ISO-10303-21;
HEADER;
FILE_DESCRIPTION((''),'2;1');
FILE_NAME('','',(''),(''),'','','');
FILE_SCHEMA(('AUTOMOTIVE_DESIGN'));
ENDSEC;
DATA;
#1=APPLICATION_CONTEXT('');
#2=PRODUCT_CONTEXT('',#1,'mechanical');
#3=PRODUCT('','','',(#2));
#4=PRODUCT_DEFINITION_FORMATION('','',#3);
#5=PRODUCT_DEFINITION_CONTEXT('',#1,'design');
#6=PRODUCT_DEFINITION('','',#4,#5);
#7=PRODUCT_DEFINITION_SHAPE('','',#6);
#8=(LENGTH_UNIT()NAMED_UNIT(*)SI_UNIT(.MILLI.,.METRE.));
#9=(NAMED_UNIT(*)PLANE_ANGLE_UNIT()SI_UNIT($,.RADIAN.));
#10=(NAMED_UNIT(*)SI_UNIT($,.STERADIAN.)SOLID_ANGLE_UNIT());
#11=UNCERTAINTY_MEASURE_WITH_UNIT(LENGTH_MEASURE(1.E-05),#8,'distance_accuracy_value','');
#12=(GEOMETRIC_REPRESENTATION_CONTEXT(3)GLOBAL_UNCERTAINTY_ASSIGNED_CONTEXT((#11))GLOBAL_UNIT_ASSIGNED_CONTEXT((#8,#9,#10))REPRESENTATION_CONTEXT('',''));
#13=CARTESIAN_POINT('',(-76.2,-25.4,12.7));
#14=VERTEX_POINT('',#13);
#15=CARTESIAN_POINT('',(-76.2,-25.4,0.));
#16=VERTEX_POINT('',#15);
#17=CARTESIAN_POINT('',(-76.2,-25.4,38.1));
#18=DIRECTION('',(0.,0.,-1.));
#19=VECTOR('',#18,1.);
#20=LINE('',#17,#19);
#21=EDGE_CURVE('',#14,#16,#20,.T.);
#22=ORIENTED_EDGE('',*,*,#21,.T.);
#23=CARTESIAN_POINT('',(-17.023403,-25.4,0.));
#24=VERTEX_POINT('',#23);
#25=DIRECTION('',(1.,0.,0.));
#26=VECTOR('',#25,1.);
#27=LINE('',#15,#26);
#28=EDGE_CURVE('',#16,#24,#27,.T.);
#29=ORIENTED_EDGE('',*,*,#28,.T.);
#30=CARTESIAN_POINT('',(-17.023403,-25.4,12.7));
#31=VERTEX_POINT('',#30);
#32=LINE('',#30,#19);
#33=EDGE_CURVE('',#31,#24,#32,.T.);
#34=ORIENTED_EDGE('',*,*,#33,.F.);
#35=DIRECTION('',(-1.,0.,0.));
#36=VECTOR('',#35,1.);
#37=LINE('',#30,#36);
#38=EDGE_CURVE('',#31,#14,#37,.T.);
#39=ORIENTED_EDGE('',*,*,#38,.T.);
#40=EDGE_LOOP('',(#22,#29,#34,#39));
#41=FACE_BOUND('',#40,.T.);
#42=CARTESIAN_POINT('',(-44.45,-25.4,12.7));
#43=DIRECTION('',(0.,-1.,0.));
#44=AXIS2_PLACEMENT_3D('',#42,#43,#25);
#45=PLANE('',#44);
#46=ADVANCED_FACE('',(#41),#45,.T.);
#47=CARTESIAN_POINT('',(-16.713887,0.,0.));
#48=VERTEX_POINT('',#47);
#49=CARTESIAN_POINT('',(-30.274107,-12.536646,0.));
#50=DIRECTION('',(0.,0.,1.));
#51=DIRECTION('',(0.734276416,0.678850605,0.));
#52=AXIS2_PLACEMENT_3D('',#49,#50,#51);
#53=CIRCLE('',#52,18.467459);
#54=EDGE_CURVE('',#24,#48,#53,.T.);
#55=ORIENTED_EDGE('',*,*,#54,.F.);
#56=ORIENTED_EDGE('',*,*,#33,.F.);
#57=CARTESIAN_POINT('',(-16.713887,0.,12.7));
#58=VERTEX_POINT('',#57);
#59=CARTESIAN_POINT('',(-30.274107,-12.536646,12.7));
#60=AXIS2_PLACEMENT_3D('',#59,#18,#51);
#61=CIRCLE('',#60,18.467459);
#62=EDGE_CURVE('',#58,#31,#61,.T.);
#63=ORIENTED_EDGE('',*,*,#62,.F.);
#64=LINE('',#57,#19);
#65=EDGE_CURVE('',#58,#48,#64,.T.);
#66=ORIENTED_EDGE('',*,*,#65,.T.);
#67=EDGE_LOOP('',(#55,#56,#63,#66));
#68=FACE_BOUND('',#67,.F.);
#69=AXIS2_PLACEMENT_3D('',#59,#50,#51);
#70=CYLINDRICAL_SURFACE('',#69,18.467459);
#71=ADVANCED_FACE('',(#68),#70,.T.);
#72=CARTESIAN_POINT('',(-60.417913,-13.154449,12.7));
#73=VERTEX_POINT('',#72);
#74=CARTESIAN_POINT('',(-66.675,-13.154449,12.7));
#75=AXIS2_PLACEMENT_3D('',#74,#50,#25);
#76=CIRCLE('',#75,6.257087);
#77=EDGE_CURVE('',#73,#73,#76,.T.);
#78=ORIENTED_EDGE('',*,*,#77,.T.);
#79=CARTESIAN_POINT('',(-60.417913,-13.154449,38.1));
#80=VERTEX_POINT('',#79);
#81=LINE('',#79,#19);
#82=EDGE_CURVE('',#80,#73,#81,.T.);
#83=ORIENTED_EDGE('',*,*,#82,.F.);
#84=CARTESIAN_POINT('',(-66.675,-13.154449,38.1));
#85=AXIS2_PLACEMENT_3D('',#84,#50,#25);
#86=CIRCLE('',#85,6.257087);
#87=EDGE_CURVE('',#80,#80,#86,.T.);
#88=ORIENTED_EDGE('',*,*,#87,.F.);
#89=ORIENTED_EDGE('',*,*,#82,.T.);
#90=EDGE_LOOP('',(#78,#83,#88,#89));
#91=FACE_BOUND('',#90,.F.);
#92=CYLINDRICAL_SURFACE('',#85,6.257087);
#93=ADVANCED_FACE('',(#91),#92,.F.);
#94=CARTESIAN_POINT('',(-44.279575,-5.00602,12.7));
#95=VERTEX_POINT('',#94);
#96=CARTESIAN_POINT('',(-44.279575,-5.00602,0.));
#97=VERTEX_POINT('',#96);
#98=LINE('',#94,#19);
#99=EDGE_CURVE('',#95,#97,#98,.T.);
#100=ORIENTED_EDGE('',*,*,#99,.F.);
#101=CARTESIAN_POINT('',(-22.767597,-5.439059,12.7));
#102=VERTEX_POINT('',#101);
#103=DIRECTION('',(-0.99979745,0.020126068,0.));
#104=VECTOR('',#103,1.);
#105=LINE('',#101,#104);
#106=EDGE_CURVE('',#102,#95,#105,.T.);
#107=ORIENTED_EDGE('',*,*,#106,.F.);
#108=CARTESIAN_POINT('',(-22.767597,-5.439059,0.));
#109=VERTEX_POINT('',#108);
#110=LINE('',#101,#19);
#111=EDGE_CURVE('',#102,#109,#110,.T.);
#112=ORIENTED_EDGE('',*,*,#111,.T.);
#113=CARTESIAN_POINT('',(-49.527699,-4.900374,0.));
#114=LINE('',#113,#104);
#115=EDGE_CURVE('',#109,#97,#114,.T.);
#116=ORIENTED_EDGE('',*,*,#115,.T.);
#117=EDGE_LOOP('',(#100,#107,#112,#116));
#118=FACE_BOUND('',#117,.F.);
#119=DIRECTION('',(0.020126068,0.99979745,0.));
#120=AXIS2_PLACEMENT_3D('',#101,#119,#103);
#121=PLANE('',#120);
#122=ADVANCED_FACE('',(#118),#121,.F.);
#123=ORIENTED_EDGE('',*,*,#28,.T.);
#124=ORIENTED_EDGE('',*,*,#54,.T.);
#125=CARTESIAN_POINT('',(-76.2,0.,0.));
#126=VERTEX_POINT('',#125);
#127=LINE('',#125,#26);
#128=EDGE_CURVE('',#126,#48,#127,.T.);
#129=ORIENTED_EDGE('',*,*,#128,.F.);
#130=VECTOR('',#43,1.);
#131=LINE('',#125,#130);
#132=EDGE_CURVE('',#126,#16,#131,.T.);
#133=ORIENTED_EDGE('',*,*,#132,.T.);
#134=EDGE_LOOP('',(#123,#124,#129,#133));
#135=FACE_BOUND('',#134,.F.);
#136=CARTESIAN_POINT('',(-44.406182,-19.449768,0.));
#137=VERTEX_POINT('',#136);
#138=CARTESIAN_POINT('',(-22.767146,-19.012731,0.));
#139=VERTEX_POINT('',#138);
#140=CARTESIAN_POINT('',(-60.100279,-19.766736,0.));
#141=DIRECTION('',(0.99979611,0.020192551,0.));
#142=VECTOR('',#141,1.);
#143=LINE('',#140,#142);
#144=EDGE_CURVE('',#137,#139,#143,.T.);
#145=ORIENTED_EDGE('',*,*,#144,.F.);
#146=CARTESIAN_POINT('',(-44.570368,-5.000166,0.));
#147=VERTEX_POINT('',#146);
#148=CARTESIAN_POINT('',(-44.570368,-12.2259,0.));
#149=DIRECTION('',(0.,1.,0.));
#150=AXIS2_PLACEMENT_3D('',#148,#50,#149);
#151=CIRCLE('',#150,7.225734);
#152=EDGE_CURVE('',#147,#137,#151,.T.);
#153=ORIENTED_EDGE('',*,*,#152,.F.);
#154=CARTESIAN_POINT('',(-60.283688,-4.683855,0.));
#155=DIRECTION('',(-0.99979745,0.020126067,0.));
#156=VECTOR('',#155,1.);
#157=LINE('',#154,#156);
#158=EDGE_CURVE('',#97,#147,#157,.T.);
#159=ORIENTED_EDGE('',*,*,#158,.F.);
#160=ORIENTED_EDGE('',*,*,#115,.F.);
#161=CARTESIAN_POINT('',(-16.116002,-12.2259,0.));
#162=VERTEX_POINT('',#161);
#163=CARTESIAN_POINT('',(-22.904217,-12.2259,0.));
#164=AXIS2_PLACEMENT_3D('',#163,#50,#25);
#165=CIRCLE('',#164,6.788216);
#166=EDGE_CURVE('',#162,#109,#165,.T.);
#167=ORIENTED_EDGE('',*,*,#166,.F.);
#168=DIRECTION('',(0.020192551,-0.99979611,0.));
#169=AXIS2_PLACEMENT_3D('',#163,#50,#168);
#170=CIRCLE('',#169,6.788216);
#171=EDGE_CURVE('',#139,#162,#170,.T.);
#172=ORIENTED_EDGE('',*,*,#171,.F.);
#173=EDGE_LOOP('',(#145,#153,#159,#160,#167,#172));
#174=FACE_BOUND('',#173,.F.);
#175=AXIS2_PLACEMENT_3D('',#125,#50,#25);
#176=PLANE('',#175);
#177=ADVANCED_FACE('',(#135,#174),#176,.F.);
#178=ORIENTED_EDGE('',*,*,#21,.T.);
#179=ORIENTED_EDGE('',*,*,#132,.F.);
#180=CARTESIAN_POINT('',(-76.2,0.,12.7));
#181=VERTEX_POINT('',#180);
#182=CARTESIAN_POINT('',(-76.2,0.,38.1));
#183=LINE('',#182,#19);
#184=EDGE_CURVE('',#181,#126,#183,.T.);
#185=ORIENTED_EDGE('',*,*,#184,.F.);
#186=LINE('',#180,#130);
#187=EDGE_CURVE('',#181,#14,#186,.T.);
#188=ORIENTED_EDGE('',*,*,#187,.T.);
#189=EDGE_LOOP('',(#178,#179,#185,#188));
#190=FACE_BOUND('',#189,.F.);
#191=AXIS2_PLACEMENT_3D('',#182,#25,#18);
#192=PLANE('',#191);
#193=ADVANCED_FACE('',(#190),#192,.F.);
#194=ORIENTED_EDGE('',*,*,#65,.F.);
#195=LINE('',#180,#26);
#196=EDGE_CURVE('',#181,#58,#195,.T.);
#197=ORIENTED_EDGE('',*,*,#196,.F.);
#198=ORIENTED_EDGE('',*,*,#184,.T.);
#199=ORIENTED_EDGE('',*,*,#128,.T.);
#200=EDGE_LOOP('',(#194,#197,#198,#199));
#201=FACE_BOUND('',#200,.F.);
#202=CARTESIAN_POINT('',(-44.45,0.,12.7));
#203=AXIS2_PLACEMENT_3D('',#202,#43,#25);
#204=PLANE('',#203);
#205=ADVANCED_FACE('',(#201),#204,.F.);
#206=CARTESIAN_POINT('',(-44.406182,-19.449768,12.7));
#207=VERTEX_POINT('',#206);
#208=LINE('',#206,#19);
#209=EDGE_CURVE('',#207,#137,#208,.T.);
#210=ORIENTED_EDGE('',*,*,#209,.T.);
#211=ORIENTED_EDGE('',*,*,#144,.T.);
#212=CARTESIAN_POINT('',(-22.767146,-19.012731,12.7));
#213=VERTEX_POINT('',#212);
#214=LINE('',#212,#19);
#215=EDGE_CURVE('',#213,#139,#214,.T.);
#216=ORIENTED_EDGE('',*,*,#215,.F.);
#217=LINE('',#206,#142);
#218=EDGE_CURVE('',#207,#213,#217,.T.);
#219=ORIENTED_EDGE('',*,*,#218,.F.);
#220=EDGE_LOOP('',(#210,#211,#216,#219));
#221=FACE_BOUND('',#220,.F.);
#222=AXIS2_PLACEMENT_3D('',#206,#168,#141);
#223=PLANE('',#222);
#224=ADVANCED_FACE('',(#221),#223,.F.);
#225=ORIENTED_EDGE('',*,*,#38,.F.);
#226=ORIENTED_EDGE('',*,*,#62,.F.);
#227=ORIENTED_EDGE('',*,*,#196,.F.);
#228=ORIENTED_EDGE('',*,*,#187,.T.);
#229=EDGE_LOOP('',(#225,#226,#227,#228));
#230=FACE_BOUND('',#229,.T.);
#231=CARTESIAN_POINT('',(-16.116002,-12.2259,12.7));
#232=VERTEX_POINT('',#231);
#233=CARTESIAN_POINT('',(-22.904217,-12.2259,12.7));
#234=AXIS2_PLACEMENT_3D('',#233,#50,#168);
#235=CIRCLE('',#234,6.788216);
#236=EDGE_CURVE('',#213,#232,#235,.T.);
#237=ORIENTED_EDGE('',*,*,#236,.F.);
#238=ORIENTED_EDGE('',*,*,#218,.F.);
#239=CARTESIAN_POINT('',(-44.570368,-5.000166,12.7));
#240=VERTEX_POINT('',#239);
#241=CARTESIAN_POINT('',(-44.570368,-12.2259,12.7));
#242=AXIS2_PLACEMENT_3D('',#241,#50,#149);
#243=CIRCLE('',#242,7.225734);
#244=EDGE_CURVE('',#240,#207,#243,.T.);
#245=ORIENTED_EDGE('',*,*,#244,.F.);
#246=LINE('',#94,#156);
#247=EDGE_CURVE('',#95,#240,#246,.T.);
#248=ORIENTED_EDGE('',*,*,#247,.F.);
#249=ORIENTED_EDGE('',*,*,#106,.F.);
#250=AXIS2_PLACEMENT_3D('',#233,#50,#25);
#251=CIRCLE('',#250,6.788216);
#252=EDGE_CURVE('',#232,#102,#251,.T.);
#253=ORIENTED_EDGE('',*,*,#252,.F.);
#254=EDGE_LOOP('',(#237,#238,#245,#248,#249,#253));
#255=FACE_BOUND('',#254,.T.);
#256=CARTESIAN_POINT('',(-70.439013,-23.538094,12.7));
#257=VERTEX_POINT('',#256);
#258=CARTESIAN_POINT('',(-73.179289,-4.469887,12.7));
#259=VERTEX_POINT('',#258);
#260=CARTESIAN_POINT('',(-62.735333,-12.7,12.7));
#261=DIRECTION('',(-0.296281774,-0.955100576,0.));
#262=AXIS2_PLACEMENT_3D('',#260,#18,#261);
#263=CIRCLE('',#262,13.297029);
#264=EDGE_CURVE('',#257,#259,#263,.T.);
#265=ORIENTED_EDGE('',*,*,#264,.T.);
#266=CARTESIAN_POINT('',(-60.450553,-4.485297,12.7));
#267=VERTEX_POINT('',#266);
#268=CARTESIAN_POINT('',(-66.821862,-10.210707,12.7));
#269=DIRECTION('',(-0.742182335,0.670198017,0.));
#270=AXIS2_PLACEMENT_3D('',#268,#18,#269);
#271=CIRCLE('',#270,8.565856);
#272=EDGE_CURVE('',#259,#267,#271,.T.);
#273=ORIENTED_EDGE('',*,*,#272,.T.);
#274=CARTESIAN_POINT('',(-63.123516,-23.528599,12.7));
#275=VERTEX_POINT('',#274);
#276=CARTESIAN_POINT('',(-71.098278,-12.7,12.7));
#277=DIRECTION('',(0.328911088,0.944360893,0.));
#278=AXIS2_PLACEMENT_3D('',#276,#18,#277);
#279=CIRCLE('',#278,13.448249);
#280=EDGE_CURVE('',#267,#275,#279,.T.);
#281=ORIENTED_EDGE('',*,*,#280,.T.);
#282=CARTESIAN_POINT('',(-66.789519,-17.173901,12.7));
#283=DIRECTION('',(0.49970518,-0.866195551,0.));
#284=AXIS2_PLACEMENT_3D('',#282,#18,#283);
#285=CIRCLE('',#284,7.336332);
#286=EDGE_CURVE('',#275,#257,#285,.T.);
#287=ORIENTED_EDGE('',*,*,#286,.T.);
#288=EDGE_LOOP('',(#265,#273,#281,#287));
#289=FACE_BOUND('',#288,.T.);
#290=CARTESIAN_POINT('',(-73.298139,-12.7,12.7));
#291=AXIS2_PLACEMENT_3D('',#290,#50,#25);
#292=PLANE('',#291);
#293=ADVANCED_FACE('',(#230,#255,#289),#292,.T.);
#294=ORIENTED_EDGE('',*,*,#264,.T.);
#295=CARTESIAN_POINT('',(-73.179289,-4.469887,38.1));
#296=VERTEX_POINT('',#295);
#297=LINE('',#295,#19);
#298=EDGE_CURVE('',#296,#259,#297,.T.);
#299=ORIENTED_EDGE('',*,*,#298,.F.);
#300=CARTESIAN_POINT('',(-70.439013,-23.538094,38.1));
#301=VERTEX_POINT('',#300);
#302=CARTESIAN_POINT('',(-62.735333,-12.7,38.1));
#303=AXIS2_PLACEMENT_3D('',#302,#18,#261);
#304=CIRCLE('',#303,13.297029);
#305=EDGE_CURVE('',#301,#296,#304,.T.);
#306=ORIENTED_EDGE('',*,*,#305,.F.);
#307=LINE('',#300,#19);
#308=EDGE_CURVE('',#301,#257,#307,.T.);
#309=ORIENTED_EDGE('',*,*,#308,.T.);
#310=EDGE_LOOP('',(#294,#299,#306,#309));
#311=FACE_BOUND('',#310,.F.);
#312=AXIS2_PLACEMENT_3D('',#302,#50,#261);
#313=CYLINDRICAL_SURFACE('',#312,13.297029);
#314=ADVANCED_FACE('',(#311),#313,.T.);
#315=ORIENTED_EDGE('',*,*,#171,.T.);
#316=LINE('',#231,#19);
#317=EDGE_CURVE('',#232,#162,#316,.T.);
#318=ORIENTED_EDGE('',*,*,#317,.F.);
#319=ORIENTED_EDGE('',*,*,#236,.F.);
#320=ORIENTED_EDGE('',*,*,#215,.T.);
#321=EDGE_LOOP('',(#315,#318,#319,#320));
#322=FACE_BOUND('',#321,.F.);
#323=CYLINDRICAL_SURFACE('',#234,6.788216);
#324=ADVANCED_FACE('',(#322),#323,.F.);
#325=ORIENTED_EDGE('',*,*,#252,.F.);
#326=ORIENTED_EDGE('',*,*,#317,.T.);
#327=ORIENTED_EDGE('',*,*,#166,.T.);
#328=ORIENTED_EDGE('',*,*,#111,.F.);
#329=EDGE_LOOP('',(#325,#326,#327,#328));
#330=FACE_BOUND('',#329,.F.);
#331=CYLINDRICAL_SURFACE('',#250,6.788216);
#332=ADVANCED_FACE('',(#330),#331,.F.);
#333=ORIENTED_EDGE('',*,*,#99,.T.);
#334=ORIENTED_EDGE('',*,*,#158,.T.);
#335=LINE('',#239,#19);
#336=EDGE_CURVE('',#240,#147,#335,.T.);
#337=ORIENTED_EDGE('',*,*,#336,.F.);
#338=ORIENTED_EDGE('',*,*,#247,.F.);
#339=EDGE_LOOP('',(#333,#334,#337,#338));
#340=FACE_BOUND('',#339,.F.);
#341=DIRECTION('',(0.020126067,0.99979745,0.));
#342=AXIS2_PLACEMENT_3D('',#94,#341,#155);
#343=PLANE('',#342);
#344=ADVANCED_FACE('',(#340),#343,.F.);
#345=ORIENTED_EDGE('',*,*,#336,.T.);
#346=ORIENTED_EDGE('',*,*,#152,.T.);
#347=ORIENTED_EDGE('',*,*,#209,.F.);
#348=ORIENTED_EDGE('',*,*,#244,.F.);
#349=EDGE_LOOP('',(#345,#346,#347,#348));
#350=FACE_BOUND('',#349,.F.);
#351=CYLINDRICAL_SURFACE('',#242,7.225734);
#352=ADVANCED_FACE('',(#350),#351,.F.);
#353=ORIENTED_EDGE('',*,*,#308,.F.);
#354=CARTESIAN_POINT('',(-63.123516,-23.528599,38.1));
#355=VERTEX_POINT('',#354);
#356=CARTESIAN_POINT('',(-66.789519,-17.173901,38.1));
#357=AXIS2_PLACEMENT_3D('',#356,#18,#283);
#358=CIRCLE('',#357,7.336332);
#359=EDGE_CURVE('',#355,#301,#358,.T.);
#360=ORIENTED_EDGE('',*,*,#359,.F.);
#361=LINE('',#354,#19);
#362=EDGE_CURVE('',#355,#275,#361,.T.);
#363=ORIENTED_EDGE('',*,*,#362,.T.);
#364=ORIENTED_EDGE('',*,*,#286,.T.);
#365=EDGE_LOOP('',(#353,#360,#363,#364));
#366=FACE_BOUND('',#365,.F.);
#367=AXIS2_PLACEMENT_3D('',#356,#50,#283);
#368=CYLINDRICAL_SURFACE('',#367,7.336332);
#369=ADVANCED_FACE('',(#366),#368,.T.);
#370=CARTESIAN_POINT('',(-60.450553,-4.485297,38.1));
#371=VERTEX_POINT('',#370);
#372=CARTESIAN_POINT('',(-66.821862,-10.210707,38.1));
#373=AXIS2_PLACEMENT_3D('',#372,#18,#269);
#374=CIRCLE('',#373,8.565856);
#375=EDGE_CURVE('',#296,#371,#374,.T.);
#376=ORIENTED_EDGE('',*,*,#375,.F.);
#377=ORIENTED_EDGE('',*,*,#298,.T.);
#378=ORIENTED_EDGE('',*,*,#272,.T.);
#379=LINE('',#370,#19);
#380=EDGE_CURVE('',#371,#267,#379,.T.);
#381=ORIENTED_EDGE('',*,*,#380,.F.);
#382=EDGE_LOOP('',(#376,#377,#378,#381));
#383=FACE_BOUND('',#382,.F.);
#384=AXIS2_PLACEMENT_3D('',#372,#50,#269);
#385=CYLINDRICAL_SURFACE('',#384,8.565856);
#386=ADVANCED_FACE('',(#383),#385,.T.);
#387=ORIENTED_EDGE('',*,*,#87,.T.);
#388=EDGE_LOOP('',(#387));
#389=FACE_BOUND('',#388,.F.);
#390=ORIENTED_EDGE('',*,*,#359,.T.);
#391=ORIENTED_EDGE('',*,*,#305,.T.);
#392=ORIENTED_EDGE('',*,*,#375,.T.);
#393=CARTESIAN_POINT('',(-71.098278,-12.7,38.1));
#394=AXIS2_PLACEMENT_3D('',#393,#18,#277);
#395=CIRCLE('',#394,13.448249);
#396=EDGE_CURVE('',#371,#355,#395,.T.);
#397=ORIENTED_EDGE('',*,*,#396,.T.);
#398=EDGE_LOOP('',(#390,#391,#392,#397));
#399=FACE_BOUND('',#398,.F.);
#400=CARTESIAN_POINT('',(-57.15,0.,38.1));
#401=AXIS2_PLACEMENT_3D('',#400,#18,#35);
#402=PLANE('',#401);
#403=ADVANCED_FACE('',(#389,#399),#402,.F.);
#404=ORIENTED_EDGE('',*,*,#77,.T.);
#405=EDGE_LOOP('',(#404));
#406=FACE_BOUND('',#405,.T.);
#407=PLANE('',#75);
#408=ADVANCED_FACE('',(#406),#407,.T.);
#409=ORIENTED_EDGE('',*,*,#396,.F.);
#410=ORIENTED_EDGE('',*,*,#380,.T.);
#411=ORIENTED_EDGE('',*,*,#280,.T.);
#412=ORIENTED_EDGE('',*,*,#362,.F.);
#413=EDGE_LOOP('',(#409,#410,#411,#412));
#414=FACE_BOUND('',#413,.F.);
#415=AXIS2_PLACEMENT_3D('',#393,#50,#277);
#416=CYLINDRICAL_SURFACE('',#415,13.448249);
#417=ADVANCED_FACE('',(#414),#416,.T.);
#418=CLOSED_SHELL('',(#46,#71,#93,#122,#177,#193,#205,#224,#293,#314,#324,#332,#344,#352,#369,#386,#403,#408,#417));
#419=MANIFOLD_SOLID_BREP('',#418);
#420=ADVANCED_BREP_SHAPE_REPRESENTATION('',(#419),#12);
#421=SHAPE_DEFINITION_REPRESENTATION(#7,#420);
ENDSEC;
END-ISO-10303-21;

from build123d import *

# Parameters (mm, degrees)
F1_DEPTH  = 25.4
F2_R      = 6.2570868775
F3_DEPTH  = 25.4
F5_DEPTH  = 19.05
F7_DEPTH  = 19.05
F8_R      = 6.2570868775
F9_DEPTH  = 25.4
F11_DEPTH = 25.4


with BuildPart() as f1:
    # F0 (on Front) → F1 (new body)
    with BuildSketch(Plane.XZ):
        Polygon((-76.2, 0), (0, 0), (0, 12.7), (-57.15, 12.7), (-57.15, 38.1), (-76.2, 38.1), align=None)
    extrude(amount=F1_DEPTH)

    # F2 (on face) → F3 (cut)
    with BuildSketch(Plane.XY.offset(38.1)):
        with Locations((-66.675, -13.1544489413)):
            Circle(F2_R)
    extrude(amount=-F3_DEPTH, mode=Mode.SUBTRACT)

    # F4 (on face) → F5 (cut)
    with BuildSketch(Plane.XY.offset(12.7)):
        with BuildLine():
            ThreePointArc((-22.7675971567, -5.4390591716), (-29.692432865, -12.2261255428), (-22.7671458535, -19.0127314193))
            ThreePointArc((-22.7671458535, -19.0127314193), (-18.0560040915, -16.977183947), (-16.1160016177, -12.2258998454))
            ThreePointArc((-16.1160016177, -12.2258998454), (-18.0561620669, -7.4744545509), (-22.7675971567, -5.4390591716))
        make_face()
        with BuildLine():
            Line((-44.2795754893, -5.0060199297), (-44.5703677833, -5.0001662387))
            ThreePointArc((-44.5703677833, -5.0001662387), (-51.7956349782, -12.3079980641), (-44.4061819446, -19.449767865))
            ThreePointArc((-44.4061819446, -19.449767865), (-39.4032801468, -17.2768830676), (-37.3446341766, -12.2258998454))
            ThreePointArc((-37.3446341766, -12.2258998454), (-39.3592060219, -7.220400944), (-44.2795754893, -5.0060199297))
        make_face()
        with BuildLine():
            ThreePointArc((-37.3446341766, -12.2258998454), (-39.4032801468, -17.2768830676), (-44.4061819446, -19.449767865))
            Line((-44.4061819446, -19.449767865), (-22.7671458535, -19.0127314193))
            ThreePointArc((-22.7671458535, -19.0127314193), (-29.692432865, -12.2261255428), (-22.7675971567, -5.4390591716))
            Line((-22.7675971567, -5.4390591716), (-44.2795754893, -5.0060199297))
            ThreePointArc((-44.2795754893, -5.0060199297), (-39.3592060219, -7.220400944), (-37.3446341766, -12.2258998454))
        make_face()
    extrude(amount=-F5_DEPTH, mode=Mode.SUBTRACT)

    # F6 (on face) → F7 (cut)
    with BuildSketch(Plane.XY.offset(12.7)):
        with BuildLine():
            ThreePointArc((-16.7138874531, 0), (-11.8080190768, -12.761667067), (-17.0234031975, -25.4))
            Line((-17.0234031975, -25.4), (0, -25.4))
            Line((0, -25.4), (0, 0))
            Line((0, 0), (-16.7138874531, 0))
        make_face()
    extrude(amount=-F7_DEPTH, mode=Mode.SUBTRACT)

    # F8 (on face) → F9 (cut)
    with BuildSketch(Plane.XY.offset(38.1)):
        with BuildLine():
            ThreePointArc((-66.675, 0), (-57.6500295177, -12.7), (-66.675, -25.4))
            Line((-66.675, -25.4), (-57.15, -25.4))
            Line((-57.15, -25.4), (-57.15, 0))
            Line((-57.15, 0), (-66.675, 0))
        make_face()
        with BuildLine():
            Line((-76.2, -25.4), (-66.675, -25.4))
            ThreePointArc((-66.675, -25.4), (-76.0323616205, -12.7), (-66.675, 0))
            Line((-66.675, 0), (-76.2, 0))
            Line((-76.2, 0), (-76.2, -25.4))
        make_face()
        with Locations((-66.675, -13.1544489413)):
            Circle(F8_R)
    extrude(amount=-F9_DEPTH, mode=Mode.SUBTRACT)

    # F10 (on face) → F11 (cut)
    with BuildSketch(Plane.XY.offset(38.1)):
        with BuildLine():
            ThreePointArc((-73.1792891103, -4.4698874424), (-66.811491799, -1.6448572711), (-60.4505532037, -4.4852970704))
            ThreePointArc((-60.4505532037, -4.4852970704), (-63.2361374685, -1.7893568412), (-66.675, 0))
            ThreePointArc((-66.675, 0), (-70.2664103908, -1.7412661714), (-73.1792891103, -4.4698874424))
        make_face()
        with BuildLine():
            ThreePointArc((-66.675, -25.4), (-64.8290367019, -24.5975628429), (-63.1235156823, -23.5285988862))
            ThreePointArc((-63.1235156823, -23.5285988862), (-66.7799965121, -24.5102265659), (-70.439013249, -23.5380941269))
            ThreePointArc((-70.439013249, -23.5380941269), (-68.6309718215, -24.6185744834), (-66.675, -25.4))
        make_face()
    extrude(amount=-F11_DEPTH, mode=Mode.SUBTRACT)


solid = f1.part
